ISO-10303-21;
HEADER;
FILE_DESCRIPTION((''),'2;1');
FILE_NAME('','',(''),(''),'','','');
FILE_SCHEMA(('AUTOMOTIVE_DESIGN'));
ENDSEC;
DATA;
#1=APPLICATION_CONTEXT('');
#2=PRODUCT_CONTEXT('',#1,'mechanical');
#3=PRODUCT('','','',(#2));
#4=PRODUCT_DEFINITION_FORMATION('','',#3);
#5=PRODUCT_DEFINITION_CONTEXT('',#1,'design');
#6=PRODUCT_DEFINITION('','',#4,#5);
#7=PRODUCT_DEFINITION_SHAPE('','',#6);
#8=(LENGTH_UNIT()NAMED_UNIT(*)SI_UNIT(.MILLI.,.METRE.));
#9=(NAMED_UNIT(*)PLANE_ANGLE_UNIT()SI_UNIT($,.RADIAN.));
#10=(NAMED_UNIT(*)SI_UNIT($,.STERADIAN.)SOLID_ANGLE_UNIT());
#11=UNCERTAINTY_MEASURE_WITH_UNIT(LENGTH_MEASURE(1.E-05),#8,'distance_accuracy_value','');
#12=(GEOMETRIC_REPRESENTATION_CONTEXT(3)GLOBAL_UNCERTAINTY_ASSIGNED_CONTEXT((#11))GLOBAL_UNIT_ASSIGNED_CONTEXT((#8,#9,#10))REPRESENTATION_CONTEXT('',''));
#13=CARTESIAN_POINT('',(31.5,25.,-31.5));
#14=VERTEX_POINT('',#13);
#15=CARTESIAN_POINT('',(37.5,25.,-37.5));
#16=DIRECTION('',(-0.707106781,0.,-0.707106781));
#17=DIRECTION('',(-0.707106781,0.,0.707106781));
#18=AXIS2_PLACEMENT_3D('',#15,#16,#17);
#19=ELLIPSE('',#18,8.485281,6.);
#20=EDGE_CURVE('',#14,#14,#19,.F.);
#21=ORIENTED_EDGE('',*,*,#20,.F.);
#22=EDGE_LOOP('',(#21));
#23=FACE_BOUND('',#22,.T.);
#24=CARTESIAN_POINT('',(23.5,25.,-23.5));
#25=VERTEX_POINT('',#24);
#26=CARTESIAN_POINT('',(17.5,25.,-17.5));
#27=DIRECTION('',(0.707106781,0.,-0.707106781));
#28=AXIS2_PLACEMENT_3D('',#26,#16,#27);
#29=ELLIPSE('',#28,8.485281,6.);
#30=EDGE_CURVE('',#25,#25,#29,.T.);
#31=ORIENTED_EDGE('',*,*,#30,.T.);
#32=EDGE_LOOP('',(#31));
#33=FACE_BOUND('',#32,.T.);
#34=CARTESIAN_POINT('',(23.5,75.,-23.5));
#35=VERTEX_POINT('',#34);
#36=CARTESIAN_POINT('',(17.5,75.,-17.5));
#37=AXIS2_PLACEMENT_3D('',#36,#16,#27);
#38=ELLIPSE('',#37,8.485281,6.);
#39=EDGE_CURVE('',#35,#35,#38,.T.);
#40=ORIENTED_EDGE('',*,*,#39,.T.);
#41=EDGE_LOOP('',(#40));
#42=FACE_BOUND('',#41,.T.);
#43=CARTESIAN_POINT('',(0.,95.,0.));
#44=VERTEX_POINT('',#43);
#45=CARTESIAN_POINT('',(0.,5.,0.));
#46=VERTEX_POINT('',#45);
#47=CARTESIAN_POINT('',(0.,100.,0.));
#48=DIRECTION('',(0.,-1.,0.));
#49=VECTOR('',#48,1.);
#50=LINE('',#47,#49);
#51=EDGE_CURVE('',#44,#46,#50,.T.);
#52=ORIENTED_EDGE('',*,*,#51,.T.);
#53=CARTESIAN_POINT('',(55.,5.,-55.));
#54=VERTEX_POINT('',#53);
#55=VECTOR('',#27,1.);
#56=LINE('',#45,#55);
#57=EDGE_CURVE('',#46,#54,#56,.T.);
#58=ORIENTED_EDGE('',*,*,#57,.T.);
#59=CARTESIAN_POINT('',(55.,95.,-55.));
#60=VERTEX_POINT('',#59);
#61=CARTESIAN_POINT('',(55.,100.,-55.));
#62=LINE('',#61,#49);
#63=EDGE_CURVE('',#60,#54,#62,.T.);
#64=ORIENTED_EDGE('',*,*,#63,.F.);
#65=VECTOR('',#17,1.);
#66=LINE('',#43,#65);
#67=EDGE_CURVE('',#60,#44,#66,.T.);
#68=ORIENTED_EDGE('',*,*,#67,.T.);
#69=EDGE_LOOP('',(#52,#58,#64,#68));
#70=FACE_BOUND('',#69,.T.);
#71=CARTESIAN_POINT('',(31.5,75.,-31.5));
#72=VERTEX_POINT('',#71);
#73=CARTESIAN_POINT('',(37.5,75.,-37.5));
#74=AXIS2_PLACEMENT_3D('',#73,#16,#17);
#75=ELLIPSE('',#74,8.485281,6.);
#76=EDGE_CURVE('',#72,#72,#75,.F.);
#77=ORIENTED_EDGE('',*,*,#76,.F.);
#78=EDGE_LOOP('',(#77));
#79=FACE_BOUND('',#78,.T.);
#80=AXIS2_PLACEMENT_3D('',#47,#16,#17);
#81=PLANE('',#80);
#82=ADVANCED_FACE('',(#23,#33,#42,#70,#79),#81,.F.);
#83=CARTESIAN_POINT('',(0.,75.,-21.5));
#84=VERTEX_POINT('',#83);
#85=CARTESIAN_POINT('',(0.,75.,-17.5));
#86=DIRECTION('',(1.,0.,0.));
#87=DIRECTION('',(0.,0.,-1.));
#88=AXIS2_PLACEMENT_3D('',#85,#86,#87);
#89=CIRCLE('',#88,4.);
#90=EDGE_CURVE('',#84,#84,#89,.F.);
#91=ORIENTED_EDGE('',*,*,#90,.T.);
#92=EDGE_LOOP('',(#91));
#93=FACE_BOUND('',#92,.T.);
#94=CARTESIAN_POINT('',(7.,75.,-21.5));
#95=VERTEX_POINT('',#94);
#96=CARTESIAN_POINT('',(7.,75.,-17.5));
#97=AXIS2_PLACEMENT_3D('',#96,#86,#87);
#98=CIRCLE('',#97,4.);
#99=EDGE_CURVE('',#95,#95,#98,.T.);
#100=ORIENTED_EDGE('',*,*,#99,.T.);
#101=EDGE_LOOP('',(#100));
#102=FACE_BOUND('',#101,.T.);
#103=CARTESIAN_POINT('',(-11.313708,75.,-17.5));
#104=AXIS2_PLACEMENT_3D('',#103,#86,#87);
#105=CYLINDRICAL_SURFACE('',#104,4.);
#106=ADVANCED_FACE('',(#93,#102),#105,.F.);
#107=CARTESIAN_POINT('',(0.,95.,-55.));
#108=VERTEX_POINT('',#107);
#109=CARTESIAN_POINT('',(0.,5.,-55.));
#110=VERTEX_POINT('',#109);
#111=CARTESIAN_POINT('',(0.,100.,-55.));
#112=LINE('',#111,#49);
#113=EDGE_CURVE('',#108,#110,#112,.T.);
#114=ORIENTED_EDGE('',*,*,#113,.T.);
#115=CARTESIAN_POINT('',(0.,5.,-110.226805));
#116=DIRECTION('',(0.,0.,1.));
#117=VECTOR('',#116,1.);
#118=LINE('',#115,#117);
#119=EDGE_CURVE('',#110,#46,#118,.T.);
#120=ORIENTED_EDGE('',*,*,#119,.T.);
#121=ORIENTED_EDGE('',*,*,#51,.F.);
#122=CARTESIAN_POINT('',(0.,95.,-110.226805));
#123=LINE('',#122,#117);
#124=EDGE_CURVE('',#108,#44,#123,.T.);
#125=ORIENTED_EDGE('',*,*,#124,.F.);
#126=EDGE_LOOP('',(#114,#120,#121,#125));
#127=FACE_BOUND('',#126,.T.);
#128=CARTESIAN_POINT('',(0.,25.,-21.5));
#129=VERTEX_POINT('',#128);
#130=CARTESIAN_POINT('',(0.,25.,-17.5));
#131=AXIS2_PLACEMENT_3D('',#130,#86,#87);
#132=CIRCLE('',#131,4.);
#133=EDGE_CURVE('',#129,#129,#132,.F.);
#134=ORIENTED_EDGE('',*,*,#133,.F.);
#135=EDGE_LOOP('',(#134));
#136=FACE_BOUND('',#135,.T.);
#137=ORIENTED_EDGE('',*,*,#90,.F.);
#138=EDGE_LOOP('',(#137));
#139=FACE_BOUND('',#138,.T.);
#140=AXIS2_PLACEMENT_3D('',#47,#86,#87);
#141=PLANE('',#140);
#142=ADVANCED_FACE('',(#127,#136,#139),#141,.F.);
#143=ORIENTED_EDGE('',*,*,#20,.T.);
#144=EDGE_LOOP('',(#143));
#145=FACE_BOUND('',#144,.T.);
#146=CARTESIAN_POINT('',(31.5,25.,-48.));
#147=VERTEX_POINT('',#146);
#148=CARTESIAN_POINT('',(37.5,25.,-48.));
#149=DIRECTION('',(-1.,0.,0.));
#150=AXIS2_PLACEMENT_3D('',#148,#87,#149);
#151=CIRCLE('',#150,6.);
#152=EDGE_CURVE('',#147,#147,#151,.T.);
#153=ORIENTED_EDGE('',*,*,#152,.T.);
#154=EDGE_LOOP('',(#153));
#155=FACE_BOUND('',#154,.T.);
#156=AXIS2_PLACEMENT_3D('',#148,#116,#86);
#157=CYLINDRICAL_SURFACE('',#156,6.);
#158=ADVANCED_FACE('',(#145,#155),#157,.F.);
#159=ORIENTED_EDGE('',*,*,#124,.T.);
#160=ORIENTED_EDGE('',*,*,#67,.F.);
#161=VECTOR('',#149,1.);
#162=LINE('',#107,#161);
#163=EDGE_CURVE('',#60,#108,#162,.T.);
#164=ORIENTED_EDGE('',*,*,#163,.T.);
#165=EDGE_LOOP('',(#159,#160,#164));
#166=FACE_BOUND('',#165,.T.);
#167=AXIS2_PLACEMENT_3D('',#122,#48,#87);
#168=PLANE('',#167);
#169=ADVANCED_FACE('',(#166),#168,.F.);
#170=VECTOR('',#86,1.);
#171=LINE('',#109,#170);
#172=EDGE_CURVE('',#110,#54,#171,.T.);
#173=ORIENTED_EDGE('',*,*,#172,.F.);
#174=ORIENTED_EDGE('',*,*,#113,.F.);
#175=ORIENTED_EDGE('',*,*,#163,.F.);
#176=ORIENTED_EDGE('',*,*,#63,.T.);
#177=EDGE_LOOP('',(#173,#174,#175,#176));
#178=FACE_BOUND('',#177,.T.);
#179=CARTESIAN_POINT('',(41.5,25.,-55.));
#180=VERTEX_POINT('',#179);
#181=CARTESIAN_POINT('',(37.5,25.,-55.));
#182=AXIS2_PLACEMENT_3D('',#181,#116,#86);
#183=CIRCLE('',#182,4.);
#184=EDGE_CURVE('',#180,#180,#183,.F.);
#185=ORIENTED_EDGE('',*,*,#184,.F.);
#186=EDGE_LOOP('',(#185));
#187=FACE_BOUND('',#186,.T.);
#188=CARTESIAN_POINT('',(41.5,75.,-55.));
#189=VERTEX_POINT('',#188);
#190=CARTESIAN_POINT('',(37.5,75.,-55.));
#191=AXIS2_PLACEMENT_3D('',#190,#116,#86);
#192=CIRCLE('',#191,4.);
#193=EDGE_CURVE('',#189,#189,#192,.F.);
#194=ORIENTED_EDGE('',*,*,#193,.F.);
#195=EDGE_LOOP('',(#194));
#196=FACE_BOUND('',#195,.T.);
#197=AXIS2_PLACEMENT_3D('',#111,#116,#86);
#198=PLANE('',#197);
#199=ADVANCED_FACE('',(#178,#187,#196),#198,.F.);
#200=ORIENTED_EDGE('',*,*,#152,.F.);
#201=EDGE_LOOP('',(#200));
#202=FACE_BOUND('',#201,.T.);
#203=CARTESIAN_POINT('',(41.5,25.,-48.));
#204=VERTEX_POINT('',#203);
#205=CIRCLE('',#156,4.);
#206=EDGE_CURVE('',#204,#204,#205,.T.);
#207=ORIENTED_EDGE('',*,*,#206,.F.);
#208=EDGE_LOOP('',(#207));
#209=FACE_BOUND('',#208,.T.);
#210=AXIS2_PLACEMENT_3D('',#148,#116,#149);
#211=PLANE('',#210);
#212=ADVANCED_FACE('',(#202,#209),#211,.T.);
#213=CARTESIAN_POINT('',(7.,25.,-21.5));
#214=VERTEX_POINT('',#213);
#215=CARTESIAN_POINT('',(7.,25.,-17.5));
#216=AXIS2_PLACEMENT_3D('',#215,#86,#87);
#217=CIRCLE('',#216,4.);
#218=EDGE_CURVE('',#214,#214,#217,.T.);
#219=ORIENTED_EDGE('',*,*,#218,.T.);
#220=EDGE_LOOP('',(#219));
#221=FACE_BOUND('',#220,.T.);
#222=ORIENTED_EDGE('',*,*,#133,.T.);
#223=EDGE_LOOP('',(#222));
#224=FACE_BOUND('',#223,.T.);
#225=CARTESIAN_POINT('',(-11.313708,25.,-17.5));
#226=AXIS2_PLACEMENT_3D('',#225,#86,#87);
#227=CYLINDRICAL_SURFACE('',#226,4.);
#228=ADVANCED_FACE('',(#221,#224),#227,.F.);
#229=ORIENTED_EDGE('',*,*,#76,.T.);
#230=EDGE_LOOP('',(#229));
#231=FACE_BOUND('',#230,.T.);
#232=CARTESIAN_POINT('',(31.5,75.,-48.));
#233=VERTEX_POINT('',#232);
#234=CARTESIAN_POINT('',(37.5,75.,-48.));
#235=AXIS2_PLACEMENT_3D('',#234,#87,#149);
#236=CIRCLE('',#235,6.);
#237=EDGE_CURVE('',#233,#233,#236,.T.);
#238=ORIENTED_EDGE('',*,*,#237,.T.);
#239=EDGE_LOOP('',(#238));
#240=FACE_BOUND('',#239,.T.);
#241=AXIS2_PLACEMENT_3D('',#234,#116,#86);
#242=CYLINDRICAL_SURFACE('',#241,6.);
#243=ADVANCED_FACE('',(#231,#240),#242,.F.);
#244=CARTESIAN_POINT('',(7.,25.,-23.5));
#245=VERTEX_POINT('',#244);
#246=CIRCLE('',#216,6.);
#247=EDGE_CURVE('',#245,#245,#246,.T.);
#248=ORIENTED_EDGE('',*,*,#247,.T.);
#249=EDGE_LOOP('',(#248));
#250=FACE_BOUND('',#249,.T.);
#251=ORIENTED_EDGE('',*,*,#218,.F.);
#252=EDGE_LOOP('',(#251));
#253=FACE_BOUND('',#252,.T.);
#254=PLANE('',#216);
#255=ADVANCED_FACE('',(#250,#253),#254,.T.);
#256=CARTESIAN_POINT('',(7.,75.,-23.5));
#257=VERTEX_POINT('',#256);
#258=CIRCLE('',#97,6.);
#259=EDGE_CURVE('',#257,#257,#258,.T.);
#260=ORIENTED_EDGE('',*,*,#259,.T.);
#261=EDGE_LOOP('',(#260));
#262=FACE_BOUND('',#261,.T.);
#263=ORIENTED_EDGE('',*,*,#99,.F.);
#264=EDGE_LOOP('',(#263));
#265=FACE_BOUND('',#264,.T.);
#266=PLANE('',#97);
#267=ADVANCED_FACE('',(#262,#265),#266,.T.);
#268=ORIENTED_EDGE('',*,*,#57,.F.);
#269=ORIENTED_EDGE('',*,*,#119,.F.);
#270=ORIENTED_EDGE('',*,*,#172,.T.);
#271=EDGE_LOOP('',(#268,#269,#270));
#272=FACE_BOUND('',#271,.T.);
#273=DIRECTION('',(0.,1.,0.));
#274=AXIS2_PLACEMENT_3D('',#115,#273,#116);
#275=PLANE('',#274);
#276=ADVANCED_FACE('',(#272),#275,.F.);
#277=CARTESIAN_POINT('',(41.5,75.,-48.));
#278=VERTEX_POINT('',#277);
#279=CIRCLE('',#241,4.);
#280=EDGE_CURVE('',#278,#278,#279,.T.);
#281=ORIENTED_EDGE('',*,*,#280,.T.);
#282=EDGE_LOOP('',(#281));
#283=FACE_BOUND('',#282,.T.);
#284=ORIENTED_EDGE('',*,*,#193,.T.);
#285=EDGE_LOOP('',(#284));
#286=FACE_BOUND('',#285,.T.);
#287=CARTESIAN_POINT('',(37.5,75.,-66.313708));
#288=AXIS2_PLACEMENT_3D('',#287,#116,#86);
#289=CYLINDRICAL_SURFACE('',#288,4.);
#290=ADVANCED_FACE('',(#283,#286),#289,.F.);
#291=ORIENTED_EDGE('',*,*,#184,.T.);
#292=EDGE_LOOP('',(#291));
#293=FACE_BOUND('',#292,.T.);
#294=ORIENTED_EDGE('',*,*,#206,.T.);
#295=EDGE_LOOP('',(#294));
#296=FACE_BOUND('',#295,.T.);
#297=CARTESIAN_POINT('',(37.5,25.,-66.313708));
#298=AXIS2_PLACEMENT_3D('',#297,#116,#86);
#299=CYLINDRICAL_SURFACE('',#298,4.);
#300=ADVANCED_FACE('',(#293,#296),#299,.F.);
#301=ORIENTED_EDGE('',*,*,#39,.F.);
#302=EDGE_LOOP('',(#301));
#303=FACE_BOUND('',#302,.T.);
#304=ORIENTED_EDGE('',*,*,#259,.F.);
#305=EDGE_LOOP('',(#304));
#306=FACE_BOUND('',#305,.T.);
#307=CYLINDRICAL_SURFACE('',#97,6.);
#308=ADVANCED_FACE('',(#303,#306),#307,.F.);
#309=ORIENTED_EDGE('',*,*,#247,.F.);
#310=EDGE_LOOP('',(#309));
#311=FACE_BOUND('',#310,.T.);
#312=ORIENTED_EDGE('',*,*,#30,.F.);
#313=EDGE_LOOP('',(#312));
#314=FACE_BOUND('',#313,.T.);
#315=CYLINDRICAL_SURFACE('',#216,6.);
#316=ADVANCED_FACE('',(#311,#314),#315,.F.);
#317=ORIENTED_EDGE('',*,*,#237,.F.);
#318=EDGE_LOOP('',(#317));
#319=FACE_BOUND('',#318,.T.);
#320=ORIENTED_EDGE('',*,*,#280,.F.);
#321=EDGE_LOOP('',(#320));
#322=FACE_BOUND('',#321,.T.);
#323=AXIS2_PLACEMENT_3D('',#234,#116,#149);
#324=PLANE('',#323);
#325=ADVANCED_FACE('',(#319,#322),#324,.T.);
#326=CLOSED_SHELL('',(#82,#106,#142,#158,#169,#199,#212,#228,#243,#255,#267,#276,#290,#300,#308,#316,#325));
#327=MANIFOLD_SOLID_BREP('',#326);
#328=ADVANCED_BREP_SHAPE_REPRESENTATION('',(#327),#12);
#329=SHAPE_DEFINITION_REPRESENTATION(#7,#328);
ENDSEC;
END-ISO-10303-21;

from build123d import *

# Parameters (mm, degrees)
BOSS_EXTRUDE1_DEPTH = 100
SKETCH2_R           = 6
CUT_EXTRUDE1_DEPTH  = 43
SKETCH4_R           = 4
CUT_EXTRUDE2_DEPTH  = 7
SKETCH6_R           = 4
CUT_EXTRUDE3_DEPTH  = 7
SKETCH7_W           = 55
SKETCH7_H           = 5
CUT_EXTRUDE4_DEPTH  = 55


with BuildPart() as part:
    # Sketch1 → Boss-Extrude1 (new body)
    with BuildSketch(Plane(origin=(0, 0, 0), x_dir=(1, 0, 0), z_dir=(0, 1, 0))):
        Polygon((0, 0), (55, 55), (0, 55), align=None)
    extrude(amount=BOSS_EXTRUDE1_DEPTH)

    # Sketch2 → Cut-Extrude1 (cut)
    with BuildSketch(Plane(origin=(50, 0, 0), x_dir=(0, 0, -1), z_dir=(1, 0, 0))):
        with Locations((17.5, 25)):
            Circle(SKETCH2_R)
        with Locations((17.5, 75)):
            Circle(SKETCH2_R)
    cut_extrude1 = extrude(amount=-CUT_EXTRUDE1_DEPTH, mode=Mode.SUBTRACT)

    # Sketch4 → Cut-Extrude2 (cut)
    with BuildSketch(Plane(origin=(7, 0, 0), x_dir=(0, 0, -1), z_dir=(1, 0, 0))):
        with Locations((17.5, 75)):
            Circle(SKETCH4_R)
        with Locations((17.5, 25)):
            Circle(SKETCH4_R)
    extrude(amount=-CUT_EXTRUDE2_DEPTH, mode=Mode.SUBTRACT)

    # Mirror6: Cut-Extrude1 across plane
    add(cut_extrude1.mirror(Plane(origin=(27.5, 0, -27.5), x_dir=(0.707106781, 0, 0.707106781), z_dir=(-0.707106781, 0, 0.707106781))), mode=Mode.SUBTRACT)

    # Sketch6 → Cut-Extrude3 (cut)
    with BuildSketch(Plane.XY.offset(-48)):
        with Locations((37.5, 75)):
            Circle(SKETCH6_R)
        with Locations((37.5, 25)):
            Circle(SKETCH6_R)
    extrude(amount=-CUT_EXTRUDE3_DEPTH, mode=Mode.SUBTRACT)

    # Sketch7 → Cut-Extrude4 (cut)
    with BuildSketch(Plane.XY):
        with Locations((27.5, 97.5)):
            Rectangle(SKETCH7_W, SKETCH7_H)
        with Locations((27.5, 2.5)):
            Rectangle(SKETCH7_W, SKETCH7_H)
    extrude(amount=-CUT_EXTRUDE4_DEPTH, mode=Mode.SUBTRACT)


solid = part.part
